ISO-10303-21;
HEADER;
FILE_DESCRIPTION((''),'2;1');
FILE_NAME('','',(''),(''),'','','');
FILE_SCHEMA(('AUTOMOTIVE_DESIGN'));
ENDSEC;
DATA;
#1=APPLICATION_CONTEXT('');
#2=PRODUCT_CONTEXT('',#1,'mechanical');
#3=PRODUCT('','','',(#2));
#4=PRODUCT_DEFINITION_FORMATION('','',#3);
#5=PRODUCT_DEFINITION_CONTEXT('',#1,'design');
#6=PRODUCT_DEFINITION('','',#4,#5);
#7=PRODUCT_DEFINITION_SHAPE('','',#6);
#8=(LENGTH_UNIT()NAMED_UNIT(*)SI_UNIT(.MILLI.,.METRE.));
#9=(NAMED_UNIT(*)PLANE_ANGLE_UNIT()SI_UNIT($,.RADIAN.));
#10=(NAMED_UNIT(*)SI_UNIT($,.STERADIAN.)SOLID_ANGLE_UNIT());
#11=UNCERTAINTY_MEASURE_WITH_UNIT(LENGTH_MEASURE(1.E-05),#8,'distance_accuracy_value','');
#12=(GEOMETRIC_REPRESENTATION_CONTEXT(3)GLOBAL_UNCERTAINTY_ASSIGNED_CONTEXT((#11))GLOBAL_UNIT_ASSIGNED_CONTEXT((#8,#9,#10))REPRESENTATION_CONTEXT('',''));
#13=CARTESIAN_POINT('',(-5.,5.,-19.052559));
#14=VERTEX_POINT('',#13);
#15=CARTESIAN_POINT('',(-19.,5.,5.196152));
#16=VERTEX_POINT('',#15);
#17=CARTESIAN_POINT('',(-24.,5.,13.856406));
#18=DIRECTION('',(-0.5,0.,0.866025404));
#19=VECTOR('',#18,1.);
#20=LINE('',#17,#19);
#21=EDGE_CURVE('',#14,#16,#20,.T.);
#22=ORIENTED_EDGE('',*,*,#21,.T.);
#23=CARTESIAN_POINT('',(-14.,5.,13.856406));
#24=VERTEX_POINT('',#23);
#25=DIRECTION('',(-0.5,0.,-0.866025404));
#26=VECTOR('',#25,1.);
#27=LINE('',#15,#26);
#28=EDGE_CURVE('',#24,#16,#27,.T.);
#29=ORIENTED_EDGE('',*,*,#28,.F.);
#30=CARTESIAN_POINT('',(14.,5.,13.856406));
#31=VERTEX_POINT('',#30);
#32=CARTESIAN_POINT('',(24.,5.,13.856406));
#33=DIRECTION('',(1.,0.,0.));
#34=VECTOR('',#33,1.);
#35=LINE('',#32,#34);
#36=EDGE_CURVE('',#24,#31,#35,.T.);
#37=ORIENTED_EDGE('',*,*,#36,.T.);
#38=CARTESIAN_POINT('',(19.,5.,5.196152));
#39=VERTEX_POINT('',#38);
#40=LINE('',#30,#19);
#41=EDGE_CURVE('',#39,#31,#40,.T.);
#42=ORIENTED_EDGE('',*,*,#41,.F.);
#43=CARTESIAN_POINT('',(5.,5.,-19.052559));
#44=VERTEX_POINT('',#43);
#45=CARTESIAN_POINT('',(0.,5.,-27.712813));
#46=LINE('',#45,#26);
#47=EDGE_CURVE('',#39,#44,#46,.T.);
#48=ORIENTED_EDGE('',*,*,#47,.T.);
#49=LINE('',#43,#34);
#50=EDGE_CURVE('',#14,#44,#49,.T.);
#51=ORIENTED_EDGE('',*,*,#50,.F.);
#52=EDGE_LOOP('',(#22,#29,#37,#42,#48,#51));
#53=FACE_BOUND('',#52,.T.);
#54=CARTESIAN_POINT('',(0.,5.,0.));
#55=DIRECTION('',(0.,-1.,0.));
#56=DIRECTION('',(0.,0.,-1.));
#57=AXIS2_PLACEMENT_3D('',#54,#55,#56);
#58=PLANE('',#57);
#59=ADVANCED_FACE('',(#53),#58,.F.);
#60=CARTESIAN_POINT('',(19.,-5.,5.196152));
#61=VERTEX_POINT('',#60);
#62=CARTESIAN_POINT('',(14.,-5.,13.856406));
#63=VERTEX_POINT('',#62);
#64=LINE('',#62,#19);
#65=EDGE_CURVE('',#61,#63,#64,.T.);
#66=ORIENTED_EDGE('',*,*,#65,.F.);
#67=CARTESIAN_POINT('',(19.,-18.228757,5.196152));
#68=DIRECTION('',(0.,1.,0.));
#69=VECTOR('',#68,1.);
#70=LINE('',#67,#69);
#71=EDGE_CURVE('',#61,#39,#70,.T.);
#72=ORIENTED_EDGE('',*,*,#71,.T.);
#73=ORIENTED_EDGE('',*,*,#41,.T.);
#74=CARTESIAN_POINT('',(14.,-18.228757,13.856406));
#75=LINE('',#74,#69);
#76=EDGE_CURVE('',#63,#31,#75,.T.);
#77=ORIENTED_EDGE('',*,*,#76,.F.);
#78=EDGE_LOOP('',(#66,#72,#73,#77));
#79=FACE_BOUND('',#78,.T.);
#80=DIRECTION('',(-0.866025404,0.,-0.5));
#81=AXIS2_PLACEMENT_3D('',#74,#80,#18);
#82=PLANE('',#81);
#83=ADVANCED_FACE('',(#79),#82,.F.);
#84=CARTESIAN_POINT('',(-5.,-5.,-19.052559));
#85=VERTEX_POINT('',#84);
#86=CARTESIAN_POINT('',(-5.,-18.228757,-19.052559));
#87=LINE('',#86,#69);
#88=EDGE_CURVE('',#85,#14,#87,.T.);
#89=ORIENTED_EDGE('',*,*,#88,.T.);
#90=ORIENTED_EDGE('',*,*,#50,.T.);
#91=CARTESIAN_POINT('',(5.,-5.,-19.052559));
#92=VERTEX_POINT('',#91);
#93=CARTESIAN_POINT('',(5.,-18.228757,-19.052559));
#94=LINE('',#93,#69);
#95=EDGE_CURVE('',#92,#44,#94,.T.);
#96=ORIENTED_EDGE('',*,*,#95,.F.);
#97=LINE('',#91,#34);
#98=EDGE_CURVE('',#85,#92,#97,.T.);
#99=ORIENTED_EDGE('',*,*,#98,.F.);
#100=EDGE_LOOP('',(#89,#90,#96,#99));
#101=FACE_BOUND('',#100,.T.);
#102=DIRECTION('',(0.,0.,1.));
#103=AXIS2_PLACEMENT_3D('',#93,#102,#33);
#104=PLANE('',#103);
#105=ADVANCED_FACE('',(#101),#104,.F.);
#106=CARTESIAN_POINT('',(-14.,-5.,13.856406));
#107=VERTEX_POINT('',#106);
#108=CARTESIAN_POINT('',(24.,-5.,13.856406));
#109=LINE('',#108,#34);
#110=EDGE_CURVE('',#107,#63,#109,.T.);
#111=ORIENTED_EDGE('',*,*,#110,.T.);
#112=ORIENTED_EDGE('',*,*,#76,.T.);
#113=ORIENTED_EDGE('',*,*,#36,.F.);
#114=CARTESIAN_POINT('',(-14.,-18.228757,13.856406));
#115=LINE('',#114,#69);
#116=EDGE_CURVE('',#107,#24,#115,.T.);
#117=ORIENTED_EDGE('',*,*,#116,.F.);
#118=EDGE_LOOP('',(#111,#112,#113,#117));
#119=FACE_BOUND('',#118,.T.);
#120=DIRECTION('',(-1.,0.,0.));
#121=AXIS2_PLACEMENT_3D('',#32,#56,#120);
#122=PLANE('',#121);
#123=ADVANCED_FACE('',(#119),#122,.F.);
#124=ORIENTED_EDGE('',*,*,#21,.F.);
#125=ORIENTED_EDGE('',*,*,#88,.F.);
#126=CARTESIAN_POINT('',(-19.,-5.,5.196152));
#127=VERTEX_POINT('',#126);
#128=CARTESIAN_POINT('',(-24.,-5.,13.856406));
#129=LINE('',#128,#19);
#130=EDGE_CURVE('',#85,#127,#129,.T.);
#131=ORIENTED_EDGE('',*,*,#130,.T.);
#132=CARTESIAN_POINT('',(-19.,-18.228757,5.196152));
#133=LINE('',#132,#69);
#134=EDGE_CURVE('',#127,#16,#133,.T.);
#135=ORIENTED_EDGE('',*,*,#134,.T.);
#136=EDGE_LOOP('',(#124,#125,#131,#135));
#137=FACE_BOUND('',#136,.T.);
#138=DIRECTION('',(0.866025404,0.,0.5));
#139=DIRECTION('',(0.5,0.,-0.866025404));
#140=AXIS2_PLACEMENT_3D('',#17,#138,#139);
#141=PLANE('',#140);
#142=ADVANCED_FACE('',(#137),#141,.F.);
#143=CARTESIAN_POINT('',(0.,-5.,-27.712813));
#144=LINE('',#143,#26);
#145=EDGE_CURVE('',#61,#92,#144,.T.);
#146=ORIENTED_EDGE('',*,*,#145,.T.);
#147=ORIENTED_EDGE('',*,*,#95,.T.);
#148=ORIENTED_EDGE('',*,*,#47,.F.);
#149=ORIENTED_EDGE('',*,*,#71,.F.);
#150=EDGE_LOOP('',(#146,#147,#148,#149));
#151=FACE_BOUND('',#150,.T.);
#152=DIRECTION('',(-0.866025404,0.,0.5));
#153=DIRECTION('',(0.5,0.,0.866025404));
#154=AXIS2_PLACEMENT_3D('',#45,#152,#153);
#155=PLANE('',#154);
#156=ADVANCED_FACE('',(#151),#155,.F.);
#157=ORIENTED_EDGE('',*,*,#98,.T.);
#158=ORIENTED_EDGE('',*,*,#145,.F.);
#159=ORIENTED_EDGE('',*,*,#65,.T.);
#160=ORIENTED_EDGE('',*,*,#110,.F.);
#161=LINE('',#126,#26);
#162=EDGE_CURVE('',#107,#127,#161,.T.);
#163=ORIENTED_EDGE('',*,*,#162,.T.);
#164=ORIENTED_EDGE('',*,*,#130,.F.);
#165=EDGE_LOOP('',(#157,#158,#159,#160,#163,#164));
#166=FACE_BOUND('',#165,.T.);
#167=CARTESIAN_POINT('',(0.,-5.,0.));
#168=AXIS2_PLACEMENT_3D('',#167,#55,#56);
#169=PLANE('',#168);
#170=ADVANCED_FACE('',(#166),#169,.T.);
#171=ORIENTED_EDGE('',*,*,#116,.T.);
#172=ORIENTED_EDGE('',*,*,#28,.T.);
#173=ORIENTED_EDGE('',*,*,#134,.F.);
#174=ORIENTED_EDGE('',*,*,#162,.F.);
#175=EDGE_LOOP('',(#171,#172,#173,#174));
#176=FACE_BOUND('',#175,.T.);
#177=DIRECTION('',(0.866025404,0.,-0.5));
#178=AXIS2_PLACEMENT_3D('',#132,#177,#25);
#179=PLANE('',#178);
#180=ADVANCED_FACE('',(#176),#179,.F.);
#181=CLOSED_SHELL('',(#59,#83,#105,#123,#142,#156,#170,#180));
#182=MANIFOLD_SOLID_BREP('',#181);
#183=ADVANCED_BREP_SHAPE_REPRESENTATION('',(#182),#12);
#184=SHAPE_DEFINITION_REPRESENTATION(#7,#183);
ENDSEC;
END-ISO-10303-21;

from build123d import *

# Parameters (mm, degrees)
ESTRUSIONE_ESTRUSIONE1_DEPTH = 5
TAGLIO_ESTRUSIONE1_DEPTH     = 10
RIPETIZIONECIRCOLARE1_COUNT  = 3


with BuildPart() as part:
    # Schizzo1 → Estrusione-Estrusione1 (new, symmetric)
    with BuildSketch(Plane(origin=(0, 0, 0), x_dir=(1, 0, 0), z_dir=(0, 1, 0))):
        Polygon((-24, -13.856406461), (0, 27.712812921), (24, -13.856406461), align=None)
    extrude(amount=ESTRUSIONE_ESTRUSIONE1_DEPTH, both=True)

    # Schizzo2 → Taglio-Estrusione1 (cut)
    with BuildSketch(Plane(origin=(0, 5, 0), x_dir=(1, 0, 0), z_dir=(0, 1, 0))):
        Polygon((14, -13.856406461), (19, -5.196152423), (24, -13.856406461), align=None)
    taglio_estrusione1 = extrude(amount=-TAGLIO_ESTRUSIONE1_DEPTH, mode=Mode.SUBTRACT)

    # RipetizioneCircolare1: Taglio-Estrusione1 ×3 about axis
    ripetizionecircolare1_axis = Axis((0, 0, 0), (0, 1, 0))
    for i in range(1, RIPETIZIONECIRCOLARE1_COUNT):
        add(taglio_estrusione1.rotate(ripetizionecircolare1_axis, i * 360 / RIPETIZIONECIRCOLARE1_COUNT), mode=Mode.SUBTRACT)


solid = part.part
